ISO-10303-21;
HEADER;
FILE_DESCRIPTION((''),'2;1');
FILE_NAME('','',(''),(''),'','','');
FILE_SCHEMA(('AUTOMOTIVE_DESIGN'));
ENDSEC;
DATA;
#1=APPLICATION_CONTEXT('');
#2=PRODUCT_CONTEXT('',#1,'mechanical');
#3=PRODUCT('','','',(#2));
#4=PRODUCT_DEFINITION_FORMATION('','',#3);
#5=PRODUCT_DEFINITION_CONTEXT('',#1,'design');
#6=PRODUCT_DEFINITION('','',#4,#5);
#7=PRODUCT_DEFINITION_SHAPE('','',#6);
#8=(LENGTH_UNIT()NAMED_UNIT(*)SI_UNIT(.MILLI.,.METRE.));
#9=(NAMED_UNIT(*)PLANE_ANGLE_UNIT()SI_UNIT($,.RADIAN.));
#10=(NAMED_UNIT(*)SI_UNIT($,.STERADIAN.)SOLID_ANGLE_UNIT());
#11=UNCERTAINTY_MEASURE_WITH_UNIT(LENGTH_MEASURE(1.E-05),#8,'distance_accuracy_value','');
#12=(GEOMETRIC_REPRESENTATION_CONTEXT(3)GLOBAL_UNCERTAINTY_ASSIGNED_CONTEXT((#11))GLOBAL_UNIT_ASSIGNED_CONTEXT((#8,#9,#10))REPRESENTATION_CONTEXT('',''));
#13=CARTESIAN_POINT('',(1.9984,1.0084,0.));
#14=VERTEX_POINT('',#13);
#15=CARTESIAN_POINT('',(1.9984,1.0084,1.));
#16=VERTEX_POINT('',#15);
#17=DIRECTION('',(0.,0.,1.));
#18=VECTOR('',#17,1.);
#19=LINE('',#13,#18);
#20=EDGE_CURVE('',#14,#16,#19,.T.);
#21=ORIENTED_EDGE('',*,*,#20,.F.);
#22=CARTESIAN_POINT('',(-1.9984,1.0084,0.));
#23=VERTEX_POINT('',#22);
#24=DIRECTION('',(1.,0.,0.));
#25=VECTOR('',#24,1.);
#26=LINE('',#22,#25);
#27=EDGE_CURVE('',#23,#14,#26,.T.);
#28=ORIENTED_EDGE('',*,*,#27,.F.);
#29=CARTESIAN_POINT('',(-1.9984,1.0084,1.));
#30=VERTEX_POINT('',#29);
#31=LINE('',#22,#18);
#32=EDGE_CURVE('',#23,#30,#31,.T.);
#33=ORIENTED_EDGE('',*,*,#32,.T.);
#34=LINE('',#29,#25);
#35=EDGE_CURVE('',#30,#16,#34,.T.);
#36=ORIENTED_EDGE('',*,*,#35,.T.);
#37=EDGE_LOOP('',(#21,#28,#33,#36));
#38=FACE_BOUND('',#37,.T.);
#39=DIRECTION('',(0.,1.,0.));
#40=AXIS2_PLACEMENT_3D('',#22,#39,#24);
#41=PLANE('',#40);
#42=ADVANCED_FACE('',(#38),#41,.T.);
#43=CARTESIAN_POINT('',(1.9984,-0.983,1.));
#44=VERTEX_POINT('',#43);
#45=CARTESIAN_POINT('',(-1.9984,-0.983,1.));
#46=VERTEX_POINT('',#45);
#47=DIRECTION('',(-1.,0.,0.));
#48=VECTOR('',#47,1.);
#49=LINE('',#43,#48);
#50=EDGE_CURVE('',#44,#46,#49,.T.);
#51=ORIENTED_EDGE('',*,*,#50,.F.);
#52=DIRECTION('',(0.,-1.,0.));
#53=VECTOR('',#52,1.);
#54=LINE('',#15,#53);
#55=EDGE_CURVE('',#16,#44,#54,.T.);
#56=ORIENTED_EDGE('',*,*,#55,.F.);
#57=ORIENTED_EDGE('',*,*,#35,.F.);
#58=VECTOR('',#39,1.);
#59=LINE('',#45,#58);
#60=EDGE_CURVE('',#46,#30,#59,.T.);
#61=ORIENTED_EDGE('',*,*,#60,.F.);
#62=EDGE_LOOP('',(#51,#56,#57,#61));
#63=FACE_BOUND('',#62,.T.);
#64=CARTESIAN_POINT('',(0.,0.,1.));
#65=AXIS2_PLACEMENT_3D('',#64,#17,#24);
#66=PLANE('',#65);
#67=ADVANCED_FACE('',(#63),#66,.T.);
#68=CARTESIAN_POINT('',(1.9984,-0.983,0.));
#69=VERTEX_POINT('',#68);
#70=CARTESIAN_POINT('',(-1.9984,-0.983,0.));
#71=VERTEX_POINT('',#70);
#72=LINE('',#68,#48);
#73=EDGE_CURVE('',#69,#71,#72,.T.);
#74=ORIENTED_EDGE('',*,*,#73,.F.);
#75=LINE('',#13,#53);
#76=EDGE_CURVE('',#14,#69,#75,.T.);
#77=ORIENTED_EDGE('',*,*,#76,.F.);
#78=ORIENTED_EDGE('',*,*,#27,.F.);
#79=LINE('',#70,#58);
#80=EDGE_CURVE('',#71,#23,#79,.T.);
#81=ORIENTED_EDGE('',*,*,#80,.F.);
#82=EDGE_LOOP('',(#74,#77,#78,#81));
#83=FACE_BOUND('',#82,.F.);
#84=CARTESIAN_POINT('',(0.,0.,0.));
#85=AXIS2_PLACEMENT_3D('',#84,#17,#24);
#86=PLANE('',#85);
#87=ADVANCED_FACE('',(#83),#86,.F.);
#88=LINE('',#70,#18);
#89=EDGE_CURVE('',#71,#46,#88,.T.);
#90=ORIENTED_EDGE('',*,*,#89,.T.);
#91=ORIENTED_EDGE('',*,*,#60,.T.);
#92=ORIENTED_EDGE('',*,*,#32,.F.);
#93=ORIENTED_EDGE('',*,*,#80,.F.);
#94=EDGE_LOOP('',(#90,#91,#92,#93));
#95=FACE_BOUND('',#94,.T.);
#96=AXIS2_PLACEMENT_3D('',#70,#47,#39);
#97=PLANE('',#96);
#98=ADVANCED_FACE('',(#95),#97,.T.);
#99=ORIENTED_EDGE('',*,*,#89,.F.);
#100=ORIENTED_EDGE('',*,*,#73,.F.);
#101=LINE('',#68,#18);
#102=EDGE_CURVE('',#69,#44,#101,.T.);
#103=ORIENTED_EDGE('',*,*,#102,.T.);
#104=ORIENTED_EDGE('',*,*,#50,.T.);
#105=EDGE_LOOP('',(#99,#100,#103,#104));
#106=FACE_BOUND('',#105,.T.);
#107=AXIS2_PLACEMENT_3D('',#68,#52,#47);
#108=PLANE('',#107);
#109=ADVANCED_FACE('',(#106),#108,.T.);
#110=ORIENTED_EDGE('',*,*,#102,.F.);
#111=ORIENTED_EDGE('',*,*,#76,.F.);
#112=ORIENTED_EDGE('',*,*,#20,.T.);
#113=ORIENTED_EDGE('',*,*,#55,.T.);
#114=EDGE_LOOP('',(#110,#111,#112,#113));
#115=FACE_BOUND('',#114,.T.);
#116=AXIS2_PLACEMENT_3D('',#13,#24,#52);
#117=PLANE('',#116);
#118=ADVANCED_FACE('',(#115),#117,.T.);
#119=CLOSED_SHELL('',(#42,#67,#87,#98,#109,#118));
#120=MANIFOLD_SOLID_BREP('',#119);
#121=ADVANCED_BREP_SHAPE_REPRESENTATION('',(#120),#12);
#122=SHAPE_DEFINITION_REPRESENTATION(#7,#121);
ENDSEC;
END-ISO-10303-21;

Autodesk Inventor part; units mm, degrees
ref_plane "YZ Plane" through (0, 0, 0) normal (1, 0, 0) x (0, 1, 0)
ref_plane "XZ Plane" through (0, 0, 0) normal (0, 1, 0) x (-1, 0, 0)
ref_plane "XY Plane" through (0, 0, 0) normal (0, 0, 1) x (1, 0, 0)
sketch "C0805, 4_7UF_8" plane through (0, 0, 0) normal (0, 0, 1) x (1, 0, 0)
  line L0 (-1.9984, 1.0084) -> (1.9984, 1.0084)
  line L1 (1.9984, 1.0084) -> (1.9984, -0.983)
  line L2 (1.9984, -0.983) -> (-1.9984, -0.983)
  line L3 (-1.9984, -0.983) -> (-1.9984, 1.0084)
extrude "Extrusion1" add sketch "C0805, 4_7UF_8" along normal blind 1
properties part number "4_7UF"
